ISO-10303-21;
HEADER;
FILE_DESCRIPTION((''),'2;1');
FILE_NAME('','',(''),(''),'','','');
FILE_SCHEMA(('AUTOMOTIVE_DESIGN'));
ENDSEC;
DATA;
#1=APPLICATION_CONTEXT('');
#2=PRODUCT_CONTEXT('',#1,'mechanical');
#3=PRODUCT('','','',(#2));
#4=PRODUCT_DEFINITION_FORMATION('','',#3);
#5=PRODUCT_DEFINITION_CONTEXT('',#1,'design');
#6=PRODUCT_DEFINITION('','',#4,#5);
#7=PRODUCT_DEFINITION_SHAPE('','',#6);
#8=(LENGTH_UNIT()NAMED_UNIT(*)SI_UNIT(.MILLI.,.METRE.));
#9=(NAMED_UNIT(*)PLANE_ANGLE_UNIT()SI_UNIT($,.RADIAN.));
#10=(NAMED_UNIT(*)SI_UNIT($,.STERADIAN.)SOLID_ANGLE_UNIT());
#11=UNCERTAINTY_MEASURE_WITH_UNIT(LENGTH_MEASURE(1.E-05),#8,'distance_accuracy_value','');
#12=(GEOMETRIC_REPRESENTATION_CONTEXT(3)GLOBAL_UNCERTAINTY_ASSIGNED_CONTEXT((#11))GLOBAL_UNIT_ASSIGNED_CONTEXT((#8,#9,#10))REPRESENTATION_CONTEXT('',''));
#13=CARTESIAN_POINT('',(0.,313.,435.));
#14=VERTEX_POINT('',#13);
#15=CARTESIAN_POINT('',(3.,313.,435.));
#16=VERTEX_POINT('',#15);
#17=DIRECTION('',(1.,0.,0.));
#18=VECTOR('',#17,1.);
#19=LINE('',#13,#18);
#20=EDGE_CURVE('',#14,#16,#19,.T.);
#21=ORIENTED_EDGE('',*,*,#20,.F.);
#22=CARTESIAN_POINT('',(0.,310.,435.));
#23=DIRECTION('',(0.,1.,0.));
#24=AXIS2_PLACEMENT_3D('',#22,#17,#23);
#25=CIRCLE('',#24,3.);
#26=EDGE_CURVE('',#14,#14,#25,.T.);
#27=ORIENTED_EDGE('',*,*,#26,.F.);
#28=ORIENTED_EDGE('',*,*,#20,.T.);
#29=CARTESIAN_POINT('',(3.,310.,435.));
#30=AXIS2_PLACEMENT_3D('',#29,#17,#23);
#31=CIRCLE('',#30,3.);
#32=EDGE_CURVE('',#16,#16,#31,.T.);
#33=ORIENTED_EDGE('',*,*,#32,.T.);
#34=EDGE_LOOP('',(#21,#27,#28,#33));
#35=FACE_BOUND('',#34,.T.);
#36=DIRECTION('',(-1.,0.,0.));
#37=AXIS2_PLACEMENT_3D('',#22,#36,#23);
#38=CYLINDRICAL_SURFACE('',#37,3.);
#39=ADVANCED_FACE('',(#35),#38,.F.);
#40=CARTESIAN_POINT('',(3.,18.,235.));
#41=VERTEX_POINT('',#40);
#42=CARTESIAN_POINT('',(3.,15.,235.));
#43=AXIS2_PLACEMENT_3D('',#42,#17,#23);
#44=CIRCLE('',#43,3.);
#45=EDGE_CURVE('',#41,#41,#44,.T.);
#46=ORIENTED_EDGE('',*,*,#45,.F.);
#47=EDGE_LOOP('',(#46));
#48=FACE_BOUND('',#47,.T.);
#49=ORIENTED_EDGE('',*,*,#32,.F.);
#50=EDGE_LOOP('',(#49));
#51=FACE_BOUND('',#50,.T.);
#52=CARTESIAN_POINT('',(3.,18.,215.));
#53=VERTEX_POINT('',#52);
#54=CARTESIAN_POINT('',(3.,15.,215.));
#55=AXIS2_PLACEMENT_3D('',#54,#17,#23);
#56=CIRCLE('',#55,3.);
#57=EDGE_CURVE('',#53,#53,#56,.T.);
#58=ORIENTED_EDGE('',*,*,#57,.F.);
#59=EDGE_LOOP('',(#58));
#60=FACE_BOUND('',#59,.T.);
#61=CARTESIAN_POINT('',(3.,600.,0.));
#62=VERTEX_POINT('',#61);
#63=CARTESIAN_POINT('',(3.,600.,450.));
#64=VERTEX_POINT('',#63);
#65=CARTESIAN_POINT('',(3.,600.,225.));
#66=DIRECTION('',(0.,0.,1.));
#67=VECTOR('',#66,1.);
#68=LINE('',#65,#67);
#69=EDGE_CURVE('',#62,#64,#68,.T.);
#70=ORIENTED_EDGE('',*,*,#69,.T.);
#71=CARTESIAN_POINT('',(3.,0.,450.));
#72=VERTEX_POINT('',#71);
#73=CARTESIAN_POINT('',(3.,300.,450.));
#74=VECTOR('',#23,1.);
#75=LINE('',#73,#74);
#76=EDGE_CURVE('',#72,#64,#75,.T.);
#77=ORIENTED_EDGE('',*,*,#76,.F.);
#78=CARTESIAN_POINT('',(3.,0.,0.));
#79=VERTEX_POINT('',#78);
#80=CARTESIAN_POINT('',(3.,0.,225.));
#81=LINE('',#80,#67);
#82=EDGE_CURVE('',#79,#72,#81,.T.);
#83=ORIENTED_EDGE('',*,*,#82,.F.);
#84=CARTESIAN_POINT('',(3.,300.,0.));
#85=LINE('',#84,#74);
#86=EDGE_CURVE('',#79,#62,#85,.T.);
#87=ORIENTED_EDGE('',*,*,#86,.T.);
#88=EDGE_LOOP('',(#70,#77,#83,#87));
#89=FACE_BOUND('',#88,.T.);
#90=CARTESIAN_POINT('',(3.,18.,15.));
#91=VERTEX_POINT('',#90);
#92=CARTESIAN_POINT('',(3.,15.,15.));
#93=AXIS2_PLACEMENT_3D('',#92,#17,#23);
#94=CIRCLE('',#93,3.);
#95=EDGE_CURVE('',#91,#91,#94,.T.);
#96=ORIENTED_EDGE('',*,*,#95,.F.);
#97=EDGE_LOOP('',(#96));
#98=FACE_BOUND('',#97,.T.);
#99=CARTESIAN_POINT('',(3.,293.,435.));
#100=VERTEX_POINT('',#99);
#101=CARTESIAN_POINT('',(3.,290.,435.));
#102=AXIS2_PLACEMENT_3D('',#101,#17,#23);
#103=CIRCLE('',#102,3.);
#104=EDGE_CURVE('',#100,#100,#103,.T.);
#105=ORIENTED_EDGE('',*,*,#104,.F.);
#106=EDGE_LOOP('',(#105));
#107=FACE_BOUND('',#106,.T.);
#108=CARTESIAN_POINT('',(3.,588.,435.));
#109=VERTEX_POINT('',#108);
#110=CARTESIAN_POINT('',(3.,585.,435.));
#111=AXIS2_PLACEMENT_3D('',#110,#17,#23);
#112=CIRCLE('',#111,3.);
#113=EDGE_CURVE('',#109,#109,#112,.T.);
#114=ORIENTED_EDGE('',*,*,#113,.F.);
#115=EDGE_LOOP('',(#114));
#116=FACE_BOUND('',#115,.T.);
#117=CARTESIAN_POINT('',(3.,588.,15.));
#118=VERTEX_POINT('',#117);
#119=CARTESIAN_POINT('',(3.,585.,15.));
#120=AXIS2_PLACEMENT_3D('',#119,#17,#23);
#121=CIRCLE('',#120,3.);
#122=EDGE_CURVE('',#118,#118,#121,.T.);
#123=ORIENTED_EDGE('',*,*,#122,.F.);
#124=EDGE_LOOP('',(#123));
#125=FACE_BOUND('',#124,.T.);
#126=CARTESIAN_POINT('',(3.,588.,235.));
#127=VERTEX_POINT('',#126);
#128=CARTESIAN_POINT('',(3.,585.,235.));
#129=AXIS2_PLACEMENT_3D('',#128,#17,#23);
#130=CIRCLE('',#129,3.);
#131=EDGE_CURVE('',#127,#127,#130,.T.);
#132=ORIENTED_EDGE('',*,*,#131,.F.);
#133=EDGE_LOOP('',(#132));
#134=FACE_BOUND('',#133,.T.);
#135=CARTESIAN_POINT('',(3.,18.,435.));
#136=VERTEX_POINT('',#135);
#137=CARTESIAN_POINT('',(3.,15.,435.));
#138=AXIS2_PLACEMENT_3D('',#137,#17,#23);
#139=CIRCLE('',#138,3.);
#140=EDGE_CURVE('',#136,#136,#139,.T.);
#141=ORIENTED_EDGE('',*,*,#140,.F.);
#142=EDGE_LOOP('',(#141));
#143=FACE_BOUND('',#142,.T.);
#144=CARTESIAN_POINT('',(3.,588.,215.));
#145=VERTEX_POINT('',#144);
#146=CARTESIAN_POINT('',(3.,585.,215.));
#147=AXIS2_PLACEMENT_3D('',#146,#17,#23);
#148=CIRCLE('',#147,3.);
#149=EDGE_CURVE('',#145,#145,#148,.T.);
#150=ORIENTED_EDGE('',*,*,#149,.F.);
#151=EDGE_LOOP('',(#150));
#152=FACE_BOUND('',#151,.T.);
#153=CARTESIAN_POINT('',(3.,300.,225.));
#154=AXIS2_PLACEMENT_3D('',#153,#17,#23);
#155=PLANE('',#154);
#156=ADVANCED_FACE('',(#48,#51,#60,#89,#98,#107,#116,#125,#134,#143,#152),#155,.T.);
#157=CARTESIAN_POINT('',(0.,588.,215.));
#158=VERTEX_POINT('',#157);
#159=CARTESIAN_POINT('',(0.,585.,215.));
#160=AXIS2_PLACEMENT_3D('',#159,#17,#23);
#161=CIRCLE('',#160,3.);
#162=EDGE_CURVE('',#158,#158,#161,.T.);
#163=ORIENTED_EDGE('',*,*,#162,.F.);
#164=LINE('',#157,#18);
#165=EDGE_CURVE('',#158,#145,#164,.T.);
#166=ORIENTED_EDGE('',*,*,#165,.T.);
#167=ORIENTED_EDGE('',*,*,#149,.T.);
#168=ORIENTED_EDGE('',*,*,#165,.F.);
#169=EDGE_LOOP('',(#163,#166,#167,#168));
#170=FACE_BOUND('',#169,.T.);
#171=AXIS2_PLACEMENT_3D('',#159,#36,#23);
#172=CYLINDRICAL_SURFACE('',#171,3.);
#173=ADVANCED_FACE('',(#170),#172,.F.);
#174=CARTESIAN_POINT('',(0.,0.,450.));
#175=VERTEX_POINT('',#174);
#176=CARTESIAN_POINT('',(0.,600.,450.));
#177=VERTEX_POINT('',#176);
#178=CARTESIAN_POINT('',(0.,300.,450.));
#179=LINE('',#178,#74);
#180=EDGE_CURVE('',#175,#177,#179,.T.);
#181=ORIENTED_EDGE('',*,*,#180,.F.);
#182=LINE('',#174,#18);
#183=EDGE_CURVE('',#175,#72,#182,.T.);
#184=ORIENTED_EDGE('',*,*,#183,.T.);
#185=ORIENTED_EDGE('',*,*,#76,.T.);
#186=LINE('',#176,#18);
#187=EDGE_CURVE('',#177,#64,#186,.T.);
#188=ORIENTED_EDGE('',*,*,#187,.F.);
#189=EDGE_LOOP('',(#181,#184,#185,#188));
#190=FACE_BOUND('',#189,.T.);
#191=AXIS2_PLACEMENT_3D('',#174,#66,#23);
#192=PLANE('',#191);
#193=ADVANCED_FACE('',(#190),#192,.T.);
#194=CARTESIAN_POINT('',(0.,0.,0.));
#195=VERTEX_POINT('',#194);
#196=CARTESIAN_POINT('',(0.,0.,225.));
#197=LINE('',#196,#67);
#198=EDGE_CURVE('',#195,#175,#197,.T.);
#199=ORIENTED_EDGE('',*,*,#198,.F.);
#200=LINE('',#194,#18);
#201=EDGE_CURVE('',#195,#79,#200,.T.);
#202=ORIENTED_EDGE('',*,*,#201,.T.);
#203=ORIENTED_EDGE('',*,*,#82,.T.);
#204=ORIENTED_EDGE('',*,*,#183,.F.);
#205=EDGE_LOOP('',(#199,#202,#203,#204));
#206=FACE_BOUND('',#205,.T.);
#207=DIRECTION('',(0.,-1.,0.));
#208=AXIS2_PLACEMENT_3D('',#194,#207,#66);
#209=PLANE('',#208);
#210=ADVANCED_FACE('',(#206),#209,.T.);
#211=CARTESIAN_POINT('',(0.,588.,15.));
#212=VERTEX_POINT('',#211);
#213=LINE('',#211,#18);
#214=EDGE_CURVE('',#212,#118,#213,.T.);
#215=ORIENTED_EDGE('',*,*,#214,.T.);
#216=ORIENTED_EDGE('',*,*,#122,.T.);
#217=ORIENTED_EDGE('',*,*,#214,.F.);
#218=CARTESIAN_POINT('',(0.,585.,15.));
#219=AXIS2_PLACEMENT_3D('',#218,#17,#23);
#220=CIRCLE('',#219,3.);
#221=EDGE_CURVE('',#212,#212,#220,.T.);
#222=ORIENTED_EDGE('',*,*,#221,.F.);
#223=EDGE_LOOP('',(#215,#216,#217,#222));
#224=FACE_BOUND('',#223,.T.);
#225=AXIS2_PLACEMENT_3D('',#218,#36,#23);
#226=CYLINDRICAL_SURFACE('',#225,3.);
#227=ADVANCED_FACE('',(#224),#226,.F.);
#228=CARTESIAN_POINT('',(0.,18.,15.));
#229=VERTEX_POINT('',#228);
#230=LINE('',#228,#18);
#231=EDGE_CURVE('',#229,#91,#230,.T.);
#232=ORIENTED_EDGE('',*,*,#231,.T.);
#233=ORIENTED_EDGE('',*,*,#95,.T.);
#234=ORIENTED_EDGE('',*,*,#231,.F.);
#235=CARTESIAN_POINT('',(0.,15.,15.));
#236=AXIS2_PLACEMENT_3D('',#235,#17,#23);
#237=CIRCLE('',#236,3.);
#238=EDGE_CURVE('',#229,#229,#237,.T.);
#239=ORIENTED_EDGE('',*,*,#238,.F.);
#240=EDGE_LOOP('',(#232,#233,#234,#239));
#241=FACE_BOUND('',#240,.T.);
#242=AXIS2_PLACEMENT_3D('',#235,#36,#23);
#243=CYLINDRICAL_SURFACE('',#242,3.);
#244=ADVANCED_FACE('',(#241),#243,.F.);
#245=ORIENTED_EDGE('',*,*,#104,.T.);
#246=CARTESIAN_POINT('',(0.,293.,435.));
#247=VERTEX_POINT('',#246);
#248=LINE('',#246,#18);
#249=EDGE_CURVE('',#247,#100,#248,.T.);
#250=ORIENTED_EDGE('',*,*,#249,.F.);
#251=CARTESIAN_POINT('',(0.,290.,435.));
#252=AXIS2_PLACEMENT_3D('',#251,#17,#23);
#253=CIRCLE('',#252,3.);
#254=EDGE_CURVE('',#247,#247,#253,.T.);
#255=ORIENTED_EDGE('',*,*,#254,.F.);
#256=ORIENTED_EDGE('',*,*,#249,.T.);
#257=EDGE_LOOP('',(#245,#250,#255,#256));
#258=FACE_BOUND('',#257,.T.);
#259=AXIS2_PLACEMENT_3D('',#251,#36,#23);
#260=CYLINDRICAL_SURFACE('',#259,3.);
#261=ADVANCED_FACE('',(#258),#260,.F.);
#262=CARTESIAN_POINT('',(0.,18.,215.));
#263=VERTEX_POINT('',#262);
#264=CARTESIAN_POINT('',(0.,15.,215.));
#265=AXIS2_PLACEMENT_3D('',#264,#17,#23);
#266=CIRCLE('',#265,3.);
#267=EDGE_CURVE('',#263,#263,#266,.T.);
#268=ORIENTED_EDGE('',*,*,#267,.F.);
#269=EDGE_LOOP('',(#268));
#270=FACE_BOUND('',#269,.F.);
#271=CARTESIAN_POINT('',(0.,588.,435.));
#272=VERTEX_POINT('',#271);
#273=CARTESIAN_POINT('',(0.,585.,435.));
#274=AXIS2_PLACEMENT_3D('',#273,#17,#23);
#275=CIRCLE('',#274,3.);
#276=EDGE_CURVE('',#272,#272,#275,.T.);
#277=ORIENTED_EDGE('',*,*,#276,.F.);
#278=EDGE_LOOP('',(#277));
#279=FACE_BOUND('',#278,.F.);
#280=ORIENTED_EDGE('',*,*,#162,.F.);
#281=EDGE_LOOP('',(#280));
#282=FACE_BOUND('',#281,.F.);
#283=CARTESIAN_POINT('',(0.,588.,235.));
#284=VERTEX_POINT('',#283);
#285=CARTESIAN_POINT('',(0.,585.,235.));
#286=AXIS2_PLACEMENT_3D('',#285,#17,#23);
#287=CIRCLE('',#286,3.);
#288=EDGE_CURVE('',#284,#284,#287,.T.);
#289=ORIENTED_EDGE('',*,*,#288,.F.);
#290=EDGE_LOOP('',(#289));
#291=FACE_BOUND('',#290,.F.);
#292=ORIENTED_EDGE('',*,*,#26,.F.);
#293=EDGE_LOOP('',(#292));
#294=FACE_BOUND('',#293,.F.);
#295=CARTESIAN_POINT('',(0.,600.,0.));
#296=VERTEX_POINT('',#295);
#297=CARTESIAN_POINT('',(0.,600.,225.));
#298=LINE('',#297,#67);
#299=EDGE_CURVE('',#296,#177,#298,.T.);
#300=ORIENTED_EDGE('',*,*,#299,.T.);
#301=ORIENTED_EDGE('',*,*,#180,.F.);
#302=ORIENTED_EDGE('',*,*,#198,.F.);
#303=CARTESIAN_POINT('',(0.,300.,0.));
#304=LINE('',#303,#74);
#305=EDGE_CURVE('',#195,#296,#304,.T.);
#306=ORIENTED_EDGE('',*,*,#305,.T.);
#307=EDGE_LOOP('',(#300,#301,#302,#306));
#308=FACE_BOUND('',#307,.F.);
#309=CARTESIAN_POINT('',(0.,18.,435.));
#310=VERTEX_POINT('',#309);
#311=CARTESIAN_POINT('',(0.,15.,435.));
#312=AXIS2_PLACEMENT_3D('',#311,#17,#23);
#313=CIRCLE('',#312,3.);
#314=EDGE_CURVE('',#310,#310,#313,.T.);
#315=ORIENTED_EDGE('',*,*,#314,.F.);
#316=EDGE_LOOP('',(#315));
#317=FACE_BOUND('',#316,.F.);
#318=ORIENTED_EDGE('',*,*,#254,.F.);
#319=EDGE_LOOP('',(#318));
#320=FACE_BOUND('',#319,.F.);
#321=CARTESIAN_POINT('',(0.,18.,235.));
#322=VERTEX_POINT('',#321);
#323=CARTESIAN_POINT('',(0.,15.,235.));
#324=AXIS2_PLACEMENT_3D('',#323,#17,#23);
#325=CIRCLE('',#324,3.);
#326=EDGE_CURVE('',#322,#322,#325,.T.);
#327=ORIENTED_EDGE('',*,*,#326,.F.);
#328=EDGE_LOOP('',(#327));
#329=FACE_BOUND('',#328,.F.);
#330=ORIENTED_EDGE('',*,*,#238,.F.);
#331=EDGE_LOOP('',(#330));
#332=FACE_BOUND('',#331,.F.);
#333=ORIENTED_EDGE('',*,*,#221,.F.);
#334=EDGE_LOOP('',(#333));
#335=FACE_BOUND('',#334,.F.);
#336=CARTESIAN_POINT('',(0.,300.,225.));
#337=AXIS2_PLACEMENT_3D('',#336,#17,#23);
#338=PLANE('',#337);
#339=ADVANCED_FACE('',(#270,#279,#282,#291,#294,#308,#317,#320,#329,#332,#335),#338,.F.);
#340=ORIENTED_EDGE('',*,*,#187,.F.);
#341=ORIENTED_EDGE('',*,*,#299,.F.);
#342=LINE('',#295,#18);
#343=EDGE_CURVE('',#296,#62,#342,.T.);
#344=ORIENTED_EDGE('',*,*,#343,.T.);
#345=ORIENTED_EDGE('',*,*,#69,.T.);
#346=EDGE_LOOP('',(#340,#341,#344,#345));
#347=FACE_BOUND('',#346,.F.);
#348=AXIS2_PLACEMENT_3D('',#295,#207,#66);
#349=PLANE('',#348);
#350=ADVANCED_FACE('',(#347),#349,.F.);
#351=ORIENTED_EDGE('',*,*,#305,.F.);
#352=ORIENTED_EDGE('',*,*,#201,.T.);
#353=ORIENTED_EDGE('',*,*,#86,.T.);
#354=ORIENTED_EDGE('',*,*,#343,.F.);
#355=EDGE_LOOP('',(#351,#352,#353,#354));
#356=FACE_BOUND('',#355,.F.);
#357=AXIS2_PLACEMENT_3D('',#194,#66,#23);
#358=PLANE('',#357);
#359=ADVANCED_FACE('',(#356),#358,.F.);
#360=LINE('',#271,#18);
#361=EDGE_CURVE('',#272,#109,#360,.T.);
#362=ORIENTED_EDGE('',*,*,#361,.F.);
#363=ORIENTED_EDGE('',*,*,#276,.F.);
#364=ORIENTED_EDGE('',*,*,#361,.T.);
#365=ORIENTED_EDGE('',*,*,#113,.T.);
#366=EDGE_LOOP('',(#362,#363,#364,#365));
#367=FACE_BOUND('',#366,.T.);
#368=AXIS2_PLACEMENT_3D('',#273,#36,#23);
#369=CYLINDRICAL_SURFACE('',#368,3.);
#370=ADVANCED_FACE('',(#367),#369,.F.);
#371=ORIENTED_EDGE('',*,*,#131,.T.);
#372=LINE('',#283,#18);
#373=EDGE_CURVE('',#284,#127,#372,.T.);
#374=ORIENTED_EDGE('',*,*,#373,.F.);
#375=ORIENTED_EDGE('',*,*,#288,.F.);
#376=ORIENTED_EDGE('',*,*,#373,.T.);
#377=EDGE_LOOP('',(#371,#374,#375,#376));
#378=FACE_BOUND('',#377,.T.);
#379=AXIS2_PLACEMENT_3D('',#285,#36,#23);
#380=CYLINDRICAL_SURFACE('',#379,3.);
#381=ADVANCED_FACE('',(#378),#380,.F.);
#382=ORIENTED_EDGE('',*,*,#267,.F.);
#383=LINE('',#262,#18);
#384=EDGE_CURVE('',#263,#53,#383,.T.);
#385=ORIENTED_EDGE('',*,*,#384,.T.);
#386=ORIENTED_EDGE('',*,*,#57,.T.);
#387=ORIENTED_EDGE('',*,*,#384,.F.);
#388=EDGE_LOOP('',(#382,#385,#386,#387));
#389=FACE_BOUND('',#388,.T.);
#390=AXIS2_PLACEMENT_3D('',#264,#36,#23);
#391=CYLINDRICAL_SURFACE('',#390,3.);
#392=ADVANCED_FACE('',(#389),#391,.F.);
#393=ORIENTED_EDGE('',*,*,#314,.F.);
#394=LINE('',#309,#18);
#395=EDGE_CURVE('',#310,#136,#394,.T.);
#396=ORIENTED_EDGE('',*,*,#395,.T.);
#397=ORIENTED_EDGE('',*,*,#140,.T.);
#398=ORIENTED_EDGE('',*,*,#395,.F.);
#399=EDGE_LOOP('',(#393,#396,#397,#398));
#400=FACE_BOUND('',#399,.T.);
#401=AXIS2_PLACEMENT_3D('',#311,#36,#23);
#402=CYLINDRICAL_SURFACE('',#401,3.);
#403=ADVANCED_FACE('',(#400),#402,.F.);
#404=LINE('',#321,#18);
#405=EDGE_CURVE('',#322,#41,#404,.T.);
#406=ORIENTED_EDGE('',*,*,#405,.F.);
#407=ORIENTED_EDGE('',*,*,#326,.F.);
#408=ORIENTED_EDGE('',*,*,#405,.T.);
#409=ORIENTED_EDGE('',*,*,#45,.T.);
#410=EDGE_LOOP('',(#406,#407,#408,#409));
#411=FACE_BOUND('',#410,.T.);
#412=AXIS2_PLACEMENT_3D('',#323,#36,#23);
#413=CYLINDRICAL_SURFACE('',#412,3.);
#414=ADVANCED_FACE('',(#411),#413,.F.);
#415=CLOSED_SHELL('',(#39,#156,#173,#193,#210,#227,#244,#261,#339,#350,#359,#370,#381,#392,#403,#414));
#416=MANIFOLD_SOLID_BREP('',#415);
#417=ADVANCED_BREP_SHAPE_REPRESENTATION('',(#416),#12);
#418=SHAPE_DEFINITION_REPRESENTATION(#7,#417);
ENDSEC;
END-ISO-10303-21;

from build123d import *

# Parameters (mm, degrees)
F0_W     = 600
F0_H     = 450
F0_R     = 3
F1_DEPTH = 3


with BuildPart() as f1:
    # F0 (on Right) → F1 (new body)
    with BuildSketch(Plane.YZ):
        with Locations((300, 225)):
            Rectangle(F0_W, F0_H)
        with Locations((15, 15)):
            Circle(F0_R, mode=Mode.SUBTRACT)
        with Locations((15, 215)):
            Circle(F0_R, mode=Mode.SUBTRACT)
        with Locations((585, 15)):
            Circle(F0_R, mode=Mode.SUBTRACT)
        with Locations((585, 215)):
            Circle(F0_R, mode=Mode.SUBTRACT)
        with Locations((15, 235)):
            Circle(F0_R, mode=Mode.SUBTRACT)
        with Locations((15, 435)):
            Circle(F0_R, mode=Mode.SUBTRACT)
        with Locations((290, 435)):
            Circle(F0_R, mode=Mode.SUBTRACT)
        with Locations((585, 235)):
            Circle(F0_R, mode=Mode.SUBTRACT)
        with Locations((310, 435)):
            Circle(F0_R, mode=Mode.SUBTRACT)
        with Locations((585, 435)):
            Circle(F0_R, mode=Mode.SUBTRACT)
    extrude(amount=F1_DEPTH)


solid = f1.part
